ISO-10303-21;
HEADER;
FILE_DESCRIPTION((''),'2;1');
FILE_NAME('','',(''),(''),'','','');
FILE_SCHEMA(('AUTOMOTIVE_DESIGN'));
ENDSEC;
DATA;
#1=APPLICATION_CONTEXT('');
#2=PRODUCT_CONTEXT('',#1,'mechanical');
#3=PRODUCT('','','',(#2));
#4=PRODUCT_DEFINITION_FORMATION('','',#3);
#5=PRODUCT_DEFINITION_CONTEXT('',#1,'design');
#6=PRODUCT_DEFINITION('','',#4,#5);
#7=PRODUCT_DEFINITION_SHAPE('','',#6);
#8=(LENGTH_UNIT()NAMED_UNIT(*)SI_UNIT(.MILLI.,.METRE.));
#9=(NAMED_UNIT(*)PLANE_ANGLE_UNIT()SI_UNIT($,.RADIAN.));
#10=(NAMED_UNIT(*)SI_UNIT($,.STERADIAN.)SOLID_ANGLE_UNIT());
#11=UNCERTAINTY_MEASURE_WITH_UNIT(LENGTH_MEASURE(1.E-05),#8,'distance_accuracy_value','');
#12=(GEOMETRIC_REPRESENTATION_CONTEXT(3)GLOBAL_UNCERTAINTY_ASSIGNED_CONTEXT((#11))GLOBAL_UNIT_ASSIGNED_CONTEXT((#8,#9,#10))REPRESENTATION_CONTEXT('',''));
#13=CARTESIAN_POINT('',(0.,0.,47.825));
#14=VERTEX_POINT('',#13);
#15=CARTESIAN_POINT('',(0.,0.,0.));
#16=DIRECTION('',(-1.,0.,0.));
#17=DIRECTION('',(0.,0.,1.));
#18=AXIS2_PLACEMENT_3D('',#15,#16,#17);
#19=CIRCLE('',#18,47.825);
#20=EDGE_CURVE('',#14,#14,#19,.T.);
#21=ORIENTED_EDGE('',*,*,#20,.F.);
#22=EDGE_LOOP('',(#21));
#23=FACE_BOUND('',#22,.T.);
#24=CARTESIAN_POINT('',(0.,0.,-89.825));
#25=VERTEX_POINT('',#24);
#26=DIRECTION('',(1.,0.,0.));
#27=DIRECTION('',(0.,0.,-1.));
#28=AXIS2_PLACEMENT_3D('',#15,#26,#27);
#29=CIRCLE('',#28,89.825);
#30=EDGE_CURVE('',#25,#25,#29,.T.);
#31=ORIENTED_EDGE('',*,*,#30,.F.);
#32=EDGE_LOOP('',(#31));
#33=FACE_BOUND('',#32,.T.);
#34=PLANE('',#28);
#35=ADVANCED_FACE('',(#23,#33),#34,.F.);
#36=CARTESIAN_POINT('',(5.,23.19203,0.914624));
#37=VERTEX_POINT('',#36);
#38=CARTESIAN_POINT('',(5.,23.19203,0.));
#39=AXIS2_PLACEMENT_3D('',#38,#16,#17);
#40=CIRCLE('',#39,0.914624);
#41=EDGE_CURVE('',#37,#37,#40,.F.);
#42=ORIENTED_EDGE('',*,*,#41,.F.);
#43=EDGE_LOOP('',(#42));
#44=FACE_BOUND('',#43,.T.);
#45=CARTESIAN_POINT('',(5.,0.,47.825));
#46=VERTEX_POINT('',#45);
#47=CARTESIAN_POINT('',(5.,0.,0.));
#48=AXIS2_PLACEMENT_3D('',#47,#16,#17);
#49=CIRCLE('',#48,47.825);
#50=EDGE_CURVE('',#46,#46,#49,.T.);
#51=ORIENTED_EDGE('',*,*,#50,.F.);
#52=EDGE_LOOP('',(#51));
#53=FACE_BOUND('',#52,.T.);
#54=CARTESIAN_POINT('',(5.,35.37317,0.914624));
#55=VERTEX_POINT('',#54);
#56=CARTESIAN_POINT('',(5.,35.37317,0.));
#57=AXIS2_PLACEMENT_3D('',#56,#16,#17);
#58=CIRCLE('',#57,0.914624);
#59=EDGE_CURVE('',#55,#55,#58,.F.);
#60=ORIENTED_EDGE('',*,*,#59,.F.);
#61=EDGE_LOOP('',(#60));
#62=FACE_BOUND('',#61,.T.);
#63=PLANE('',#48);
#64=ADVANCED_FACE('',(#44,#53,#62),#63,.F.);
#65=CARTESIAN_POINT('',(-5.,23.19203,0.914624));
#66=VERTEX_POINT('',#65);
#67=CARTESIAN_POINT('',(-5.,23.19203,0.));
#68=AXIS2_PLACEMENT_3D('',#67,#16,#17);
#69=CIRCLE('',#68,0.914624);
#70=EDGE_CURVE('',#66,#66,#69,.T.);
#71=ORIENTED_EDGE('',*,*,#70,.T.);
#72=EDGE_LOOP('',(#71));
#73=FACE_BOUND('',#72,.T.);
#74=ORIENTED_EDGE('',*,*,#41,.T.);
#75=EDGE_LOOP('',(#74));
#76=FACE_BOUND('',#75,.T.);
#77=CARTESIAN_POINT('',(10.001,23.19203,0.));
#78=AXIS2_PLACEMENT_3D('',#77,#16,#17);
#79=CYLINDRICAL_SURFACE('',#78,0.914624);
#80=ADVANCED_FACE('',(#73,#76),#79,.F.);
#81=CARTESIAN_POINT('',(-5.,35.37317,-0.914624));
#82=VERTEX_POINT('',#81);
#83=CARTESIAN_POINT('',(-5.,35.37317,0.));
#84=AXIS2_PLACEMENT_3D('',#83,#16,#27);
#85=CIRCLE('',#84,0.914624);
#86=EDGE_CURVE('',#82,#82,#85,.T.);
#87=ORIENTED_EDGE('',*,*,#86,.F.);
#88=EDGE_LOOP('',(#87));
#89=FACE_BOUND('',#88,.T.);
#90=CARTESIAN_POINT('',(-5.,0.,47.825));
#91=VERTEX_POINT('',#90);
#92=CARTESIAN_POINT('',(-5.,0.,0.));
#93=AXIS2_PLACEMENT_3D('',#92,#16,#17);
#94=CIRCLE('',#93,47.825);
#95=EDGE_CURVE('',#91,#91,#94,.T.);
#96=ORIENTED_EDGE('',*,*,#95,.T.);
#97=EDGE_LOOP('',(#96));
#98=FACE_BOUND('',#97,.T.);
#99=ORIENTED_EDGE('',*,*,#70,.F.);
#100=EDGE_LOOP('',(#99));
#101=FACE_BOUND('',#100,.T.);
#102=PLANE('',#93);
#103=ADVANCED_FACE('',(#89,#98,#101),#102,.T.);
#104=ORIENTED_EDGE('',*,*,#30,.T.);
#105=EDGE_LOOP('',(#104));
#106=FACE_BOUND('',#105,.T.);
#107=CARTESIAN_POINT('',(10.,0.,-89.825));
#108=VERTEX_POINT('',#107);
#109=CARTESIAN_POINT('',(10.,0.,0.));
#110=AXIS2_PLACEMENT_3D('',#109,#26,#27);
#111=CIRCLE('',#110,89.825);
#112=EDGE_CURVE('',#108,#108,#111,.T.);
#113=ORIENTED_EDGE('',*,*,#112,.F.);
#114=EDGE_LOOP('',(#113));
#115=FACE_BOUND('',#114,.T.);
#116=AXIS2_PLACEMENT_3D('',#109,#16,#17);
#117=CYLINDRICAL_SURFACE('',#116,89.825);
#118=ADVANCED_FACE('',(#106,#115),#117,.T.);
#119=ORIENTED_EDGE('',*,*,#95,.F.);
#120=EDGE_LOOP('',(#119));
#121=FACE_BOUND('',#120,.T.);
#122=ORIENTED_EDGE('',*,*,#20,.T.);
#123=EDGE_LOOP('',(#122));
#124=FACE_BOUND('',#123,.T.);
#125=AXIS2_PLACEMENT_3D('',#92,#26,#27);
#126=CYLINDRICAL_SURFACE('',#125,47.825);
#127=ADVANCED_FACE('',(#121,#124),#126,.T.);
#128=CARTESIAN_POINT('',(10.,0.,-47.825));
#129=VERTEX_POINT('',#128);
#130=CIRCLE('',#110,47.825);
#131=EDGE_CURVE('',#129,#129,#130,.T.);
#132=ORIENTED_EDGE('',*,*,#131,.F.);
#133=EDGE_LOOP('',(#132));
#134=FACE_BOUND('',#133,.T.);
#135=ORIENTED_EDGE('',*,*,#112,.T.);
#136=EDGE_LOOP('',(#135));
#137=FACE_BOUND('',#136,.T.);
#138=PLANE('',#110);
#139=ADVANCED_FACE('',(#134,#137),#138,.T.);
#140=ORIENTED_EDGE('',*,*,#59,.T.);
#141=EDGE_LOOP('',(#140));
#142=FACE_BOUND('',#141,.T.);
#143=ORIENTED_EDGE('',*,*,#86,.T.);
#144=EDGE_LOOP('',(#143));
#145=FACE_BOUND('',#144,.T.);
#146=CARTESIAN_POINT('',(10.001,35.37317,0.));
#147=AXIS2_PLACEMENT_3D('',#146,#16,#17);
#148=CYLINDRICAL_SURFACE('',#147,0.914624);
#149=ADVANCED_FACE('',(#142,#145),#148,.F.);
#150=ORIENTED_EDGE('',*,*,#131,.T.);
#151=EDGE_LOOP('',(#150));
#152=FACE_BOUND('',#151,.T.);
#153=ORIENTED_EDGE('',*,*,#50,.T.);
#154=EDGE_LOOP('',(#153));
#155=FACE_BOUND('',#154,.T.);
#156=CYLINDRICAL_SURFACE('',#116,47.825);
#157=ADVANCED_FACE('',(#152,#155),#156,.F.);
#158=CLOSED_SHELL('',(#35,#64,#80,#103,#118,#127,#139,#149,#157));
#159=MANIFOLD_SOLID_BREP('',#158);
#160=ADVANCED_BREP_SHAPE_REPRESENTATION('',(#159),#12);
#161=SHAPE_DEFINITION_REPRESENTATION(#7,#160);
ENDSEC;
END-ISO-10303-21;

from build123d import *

# Parameters (mm, degrees)
SKETCH1_R                   = 89.825
SKETCH1_R_2                 = 47.825
BOSS_EXTRUDE1_DEPTH         = 10
SKETCH3_R                   = 47.825
TBH_IDK_DEPTH               = 5
EXTRUSION_START             = 5
SKETCH4_R                   = 47.825
EXTRUSION_TO_FUEL_MAN_DEPTH = 5
OX_DOWNCOMER_REACH          = 129.914
OX_PROFILE_R                = 0.914623685


with BuildPart() as part:
    # Sketch1 → Boss-Extrude1 (new body)
    with BuildSketch(Plane(origin=(0, 0, 0), x_dir=(0, 0, -1), z_dir=(1, 0, 0))):
        Circle(SKETCH1_R)
        Circle(SKETCH1_R_2, mode=Mode.SUBTRACT)
    extrude(amount=BOSS_EXTRUDE1_DEPTH)

    # Sketch3 → tbh idk (add)
    with BuildSketch(Plane.ZY):
        Circle(SKETCH3_R)
    extrude(amount=-TBH_IDK_DEPTH)

    # Sketch4 → Extrusion to Fuel Man (add)
    with BuildSketch(Plane.ZY.offset(EXTRUSION_START)):
        Circle(SKETCH4_R)
    extrude(amount=-EXTRUSION_TO_FUEL_MAN_DEPTH)

    # Ox Profile → Ox Downcomer (cut, up to next)
    with BuildSketch(Plane.ZY.offset(5), mode=Mode.PRIVATE) as ox_downcomer_sk1:
        with Locations((0, 23.192029736)):
            Circle(OX_PROFILE_R)
    ox_downcomer_tool1 = extrude(ox_downcomer_sk1.sketch, amount=-OX_DOWNCOMER_REACH, mode=Mode.PRIVATE) & part.part
    # Ox Profile → Ox Downcomer (cut, up to next)
    with BuildSketch(Plane.ZY.offset(5), mode=Mode.PRIVATE) as ox_downcomer_sk2:
        with Locations((0, 35.373170264)):
            Circle(OX_PROFILE_R)
    ox_downcomer_tool2 = extrude(ox_downcomer_sk2.sketch, amount=-OX_DOWNCOMER_REACH, mode=Mode.PRIVATE) & part.part
    add(ox_downcomer_tool1.solids().sort_by_distance((-5, 23.19203, 0))[0], mode=Mode.SUBTRACT)
    add(ox_downcomer_tool2.solids().sort_by_distance((-5, 35.37317, 0))[0], mode=Mode.SUBTRACT)


solid = part.part
